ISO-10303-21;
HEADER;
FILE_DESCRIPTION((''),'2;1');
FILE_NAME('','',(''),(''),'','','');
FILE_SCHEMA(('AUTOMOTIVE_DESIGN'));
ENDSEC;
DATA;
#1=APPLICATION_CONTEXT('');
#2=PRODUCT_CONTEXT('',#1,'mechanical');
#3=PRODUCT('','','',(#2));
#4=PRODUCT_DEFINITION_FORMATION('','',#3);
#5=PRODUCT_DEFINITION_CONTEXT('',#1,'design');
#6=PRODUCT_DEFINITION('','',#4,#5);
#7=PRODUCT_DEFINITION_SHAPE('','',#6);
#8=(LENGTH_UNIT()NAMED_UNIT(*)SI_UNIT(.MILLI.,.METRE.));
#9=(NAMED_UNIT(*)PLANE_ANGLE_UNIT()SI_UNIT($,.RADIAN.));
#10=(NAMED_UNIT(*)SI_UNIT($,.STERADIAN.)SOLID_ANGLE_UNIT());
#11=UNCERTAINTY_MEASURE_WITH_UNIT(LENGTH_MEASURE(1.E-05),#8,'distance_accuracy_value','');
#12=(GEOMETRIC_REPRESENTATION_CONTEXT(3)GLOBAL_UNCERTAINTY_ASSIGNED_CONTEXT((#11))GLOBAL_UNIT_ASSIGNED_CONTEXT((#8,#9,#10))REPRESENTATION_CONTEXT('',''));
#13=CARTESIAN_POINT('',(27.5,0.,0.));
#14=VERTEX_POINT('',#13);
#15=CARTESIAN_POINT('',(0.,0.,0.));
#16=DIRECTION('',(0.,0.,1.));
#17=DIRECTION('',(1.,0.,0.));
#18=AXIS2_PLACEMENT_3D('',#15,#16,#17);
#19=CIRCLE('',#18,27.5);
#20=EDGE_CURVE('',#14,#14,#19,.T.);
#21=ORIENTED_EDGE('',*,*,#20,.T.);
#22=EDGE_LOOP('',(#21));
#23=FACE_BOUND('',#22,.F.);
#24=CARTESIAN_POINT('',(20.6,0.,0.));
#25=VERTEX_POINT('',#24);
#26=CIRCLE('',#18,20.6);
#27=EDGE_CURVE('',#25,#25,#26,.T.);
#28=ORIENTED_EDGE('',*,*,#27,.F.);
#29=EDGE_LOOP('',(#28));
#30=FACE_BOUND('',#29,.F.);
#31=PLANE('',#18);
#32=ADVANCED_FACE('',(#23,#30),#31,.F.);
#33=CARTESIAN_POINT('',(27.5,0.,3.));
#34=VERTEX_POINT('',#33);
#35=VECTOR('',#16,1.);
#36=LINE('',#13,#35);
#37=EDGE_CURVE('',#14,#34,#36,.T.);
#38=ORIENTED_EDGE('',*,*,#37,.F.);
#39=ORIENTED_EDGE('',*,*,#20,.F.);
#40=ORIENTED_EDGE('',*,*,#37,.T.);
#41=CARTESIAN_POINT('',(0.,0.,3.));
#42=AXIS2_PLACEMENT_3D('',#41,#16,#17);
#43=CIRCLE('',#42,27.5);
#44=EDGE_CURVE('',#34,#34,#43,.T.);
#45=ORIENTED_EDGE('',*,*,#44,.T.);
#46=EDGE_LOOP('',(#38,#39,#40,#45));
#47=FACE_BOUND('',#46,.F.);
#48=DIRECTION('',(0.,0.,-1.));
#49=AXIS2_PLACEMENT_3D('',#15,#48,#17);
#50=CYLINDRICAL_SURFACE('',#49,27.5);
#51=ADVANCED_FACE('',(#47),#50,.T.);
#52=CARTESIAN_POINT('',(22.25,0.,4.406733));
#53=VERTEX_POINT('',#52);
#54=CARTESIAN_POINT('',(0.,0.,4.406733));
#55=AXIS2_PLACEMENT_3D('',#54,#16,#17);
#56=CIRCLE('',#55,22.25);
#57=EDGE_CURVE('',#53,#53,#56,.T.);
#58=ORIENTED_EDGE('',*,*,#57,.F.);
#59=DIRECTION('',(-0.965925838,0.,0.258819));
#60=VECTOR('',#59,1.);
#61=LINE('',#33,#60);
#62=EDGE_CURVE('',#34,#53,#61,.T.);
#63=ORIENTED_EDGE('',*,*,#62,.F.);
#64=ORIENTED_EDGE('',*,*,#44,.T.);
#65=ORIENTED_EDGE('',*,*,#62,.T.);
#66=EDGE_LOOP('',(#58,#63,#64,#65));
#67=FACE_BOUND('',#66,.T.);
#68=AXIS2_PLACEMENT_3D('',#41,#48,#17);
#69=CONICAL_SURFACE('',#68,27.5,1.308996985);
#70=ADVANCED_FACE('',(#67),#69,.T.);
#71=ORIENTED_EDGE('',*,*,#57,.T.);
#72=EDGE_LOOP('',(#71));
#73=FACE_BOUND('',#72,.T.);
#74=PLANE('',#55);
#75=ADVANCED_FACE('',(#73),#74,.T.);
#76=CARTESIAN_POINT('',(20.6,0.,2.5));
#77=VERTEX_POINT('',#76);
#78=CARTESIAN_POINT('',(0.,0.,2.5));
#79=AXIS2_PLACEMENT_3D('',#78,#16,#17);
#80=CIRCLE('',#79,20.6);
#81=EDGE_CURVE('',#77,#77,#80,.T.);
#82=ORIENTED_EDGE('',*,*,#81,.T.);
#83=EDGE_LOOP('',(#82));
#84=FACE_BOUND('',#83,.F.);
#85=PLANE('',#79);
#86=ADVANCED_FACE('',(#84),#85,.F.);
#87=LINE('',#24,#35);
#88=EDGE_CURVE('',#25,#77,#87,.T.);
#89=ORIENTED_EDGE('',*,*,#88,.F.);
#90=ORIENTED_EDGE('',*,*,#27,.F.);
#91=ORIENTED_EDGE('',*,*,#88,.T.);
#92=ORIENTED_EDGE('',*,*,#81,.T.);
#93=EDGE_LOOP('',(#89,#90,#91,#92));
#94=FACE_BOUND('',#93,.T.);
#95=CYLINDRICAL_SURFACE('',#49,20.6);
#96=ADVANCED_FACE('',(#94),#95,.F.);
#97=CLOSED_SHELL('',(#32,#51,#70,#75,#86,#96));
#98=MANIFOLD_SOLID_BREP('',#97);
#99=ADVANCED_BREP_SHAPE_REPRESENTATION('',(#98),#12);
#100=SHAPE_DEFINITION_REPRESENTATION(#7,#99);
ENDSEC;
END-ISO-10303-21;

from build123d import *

# Parameters (mm, degrees)
CYLINDER002_R     = 20.6
CYLINDER002_DEPTH = 2.5
CYLINDER_R        = 27.5
CYLINDER_DEPTH    = 3


with BuildPart() as cylinder002:
    # Cylinder002 → Cylinder002 (new body)
    with BuildSketch(Plane.XY):
        Circle(CYLINDER002_R)
    extrude(amount=CYLINDER002_DEPTH)


with BuildPart() as cone:
    # Cone → Cone (revolve)
    with BuildSketch(Plane(origin=(0, 0, 3), x_dir=(1, 0, 0), z_dir=(0, -1, 0))):
        Polygon((0, 0), (27.5, 0), (22.25, 1.406733), (0, 1.406733), align=None)
    revolve(axis=Axis((0, 0, 3), (0, 0, 1)))


with BuildPart() as kfblank:
    # Cylinder → Cylinder (new body)
    with BuildSketch(Plane.XY):
        Circle(CYLINDER_R)
    extrude(amount=CYLINDER_DEPTH)

    # Fusion: union Cone
    add(cone.part)

    # Cut: cut Cylinder002
    add(cylinder002.part, mode=Mode.SUBTRACT)


solid = kfblank.part
